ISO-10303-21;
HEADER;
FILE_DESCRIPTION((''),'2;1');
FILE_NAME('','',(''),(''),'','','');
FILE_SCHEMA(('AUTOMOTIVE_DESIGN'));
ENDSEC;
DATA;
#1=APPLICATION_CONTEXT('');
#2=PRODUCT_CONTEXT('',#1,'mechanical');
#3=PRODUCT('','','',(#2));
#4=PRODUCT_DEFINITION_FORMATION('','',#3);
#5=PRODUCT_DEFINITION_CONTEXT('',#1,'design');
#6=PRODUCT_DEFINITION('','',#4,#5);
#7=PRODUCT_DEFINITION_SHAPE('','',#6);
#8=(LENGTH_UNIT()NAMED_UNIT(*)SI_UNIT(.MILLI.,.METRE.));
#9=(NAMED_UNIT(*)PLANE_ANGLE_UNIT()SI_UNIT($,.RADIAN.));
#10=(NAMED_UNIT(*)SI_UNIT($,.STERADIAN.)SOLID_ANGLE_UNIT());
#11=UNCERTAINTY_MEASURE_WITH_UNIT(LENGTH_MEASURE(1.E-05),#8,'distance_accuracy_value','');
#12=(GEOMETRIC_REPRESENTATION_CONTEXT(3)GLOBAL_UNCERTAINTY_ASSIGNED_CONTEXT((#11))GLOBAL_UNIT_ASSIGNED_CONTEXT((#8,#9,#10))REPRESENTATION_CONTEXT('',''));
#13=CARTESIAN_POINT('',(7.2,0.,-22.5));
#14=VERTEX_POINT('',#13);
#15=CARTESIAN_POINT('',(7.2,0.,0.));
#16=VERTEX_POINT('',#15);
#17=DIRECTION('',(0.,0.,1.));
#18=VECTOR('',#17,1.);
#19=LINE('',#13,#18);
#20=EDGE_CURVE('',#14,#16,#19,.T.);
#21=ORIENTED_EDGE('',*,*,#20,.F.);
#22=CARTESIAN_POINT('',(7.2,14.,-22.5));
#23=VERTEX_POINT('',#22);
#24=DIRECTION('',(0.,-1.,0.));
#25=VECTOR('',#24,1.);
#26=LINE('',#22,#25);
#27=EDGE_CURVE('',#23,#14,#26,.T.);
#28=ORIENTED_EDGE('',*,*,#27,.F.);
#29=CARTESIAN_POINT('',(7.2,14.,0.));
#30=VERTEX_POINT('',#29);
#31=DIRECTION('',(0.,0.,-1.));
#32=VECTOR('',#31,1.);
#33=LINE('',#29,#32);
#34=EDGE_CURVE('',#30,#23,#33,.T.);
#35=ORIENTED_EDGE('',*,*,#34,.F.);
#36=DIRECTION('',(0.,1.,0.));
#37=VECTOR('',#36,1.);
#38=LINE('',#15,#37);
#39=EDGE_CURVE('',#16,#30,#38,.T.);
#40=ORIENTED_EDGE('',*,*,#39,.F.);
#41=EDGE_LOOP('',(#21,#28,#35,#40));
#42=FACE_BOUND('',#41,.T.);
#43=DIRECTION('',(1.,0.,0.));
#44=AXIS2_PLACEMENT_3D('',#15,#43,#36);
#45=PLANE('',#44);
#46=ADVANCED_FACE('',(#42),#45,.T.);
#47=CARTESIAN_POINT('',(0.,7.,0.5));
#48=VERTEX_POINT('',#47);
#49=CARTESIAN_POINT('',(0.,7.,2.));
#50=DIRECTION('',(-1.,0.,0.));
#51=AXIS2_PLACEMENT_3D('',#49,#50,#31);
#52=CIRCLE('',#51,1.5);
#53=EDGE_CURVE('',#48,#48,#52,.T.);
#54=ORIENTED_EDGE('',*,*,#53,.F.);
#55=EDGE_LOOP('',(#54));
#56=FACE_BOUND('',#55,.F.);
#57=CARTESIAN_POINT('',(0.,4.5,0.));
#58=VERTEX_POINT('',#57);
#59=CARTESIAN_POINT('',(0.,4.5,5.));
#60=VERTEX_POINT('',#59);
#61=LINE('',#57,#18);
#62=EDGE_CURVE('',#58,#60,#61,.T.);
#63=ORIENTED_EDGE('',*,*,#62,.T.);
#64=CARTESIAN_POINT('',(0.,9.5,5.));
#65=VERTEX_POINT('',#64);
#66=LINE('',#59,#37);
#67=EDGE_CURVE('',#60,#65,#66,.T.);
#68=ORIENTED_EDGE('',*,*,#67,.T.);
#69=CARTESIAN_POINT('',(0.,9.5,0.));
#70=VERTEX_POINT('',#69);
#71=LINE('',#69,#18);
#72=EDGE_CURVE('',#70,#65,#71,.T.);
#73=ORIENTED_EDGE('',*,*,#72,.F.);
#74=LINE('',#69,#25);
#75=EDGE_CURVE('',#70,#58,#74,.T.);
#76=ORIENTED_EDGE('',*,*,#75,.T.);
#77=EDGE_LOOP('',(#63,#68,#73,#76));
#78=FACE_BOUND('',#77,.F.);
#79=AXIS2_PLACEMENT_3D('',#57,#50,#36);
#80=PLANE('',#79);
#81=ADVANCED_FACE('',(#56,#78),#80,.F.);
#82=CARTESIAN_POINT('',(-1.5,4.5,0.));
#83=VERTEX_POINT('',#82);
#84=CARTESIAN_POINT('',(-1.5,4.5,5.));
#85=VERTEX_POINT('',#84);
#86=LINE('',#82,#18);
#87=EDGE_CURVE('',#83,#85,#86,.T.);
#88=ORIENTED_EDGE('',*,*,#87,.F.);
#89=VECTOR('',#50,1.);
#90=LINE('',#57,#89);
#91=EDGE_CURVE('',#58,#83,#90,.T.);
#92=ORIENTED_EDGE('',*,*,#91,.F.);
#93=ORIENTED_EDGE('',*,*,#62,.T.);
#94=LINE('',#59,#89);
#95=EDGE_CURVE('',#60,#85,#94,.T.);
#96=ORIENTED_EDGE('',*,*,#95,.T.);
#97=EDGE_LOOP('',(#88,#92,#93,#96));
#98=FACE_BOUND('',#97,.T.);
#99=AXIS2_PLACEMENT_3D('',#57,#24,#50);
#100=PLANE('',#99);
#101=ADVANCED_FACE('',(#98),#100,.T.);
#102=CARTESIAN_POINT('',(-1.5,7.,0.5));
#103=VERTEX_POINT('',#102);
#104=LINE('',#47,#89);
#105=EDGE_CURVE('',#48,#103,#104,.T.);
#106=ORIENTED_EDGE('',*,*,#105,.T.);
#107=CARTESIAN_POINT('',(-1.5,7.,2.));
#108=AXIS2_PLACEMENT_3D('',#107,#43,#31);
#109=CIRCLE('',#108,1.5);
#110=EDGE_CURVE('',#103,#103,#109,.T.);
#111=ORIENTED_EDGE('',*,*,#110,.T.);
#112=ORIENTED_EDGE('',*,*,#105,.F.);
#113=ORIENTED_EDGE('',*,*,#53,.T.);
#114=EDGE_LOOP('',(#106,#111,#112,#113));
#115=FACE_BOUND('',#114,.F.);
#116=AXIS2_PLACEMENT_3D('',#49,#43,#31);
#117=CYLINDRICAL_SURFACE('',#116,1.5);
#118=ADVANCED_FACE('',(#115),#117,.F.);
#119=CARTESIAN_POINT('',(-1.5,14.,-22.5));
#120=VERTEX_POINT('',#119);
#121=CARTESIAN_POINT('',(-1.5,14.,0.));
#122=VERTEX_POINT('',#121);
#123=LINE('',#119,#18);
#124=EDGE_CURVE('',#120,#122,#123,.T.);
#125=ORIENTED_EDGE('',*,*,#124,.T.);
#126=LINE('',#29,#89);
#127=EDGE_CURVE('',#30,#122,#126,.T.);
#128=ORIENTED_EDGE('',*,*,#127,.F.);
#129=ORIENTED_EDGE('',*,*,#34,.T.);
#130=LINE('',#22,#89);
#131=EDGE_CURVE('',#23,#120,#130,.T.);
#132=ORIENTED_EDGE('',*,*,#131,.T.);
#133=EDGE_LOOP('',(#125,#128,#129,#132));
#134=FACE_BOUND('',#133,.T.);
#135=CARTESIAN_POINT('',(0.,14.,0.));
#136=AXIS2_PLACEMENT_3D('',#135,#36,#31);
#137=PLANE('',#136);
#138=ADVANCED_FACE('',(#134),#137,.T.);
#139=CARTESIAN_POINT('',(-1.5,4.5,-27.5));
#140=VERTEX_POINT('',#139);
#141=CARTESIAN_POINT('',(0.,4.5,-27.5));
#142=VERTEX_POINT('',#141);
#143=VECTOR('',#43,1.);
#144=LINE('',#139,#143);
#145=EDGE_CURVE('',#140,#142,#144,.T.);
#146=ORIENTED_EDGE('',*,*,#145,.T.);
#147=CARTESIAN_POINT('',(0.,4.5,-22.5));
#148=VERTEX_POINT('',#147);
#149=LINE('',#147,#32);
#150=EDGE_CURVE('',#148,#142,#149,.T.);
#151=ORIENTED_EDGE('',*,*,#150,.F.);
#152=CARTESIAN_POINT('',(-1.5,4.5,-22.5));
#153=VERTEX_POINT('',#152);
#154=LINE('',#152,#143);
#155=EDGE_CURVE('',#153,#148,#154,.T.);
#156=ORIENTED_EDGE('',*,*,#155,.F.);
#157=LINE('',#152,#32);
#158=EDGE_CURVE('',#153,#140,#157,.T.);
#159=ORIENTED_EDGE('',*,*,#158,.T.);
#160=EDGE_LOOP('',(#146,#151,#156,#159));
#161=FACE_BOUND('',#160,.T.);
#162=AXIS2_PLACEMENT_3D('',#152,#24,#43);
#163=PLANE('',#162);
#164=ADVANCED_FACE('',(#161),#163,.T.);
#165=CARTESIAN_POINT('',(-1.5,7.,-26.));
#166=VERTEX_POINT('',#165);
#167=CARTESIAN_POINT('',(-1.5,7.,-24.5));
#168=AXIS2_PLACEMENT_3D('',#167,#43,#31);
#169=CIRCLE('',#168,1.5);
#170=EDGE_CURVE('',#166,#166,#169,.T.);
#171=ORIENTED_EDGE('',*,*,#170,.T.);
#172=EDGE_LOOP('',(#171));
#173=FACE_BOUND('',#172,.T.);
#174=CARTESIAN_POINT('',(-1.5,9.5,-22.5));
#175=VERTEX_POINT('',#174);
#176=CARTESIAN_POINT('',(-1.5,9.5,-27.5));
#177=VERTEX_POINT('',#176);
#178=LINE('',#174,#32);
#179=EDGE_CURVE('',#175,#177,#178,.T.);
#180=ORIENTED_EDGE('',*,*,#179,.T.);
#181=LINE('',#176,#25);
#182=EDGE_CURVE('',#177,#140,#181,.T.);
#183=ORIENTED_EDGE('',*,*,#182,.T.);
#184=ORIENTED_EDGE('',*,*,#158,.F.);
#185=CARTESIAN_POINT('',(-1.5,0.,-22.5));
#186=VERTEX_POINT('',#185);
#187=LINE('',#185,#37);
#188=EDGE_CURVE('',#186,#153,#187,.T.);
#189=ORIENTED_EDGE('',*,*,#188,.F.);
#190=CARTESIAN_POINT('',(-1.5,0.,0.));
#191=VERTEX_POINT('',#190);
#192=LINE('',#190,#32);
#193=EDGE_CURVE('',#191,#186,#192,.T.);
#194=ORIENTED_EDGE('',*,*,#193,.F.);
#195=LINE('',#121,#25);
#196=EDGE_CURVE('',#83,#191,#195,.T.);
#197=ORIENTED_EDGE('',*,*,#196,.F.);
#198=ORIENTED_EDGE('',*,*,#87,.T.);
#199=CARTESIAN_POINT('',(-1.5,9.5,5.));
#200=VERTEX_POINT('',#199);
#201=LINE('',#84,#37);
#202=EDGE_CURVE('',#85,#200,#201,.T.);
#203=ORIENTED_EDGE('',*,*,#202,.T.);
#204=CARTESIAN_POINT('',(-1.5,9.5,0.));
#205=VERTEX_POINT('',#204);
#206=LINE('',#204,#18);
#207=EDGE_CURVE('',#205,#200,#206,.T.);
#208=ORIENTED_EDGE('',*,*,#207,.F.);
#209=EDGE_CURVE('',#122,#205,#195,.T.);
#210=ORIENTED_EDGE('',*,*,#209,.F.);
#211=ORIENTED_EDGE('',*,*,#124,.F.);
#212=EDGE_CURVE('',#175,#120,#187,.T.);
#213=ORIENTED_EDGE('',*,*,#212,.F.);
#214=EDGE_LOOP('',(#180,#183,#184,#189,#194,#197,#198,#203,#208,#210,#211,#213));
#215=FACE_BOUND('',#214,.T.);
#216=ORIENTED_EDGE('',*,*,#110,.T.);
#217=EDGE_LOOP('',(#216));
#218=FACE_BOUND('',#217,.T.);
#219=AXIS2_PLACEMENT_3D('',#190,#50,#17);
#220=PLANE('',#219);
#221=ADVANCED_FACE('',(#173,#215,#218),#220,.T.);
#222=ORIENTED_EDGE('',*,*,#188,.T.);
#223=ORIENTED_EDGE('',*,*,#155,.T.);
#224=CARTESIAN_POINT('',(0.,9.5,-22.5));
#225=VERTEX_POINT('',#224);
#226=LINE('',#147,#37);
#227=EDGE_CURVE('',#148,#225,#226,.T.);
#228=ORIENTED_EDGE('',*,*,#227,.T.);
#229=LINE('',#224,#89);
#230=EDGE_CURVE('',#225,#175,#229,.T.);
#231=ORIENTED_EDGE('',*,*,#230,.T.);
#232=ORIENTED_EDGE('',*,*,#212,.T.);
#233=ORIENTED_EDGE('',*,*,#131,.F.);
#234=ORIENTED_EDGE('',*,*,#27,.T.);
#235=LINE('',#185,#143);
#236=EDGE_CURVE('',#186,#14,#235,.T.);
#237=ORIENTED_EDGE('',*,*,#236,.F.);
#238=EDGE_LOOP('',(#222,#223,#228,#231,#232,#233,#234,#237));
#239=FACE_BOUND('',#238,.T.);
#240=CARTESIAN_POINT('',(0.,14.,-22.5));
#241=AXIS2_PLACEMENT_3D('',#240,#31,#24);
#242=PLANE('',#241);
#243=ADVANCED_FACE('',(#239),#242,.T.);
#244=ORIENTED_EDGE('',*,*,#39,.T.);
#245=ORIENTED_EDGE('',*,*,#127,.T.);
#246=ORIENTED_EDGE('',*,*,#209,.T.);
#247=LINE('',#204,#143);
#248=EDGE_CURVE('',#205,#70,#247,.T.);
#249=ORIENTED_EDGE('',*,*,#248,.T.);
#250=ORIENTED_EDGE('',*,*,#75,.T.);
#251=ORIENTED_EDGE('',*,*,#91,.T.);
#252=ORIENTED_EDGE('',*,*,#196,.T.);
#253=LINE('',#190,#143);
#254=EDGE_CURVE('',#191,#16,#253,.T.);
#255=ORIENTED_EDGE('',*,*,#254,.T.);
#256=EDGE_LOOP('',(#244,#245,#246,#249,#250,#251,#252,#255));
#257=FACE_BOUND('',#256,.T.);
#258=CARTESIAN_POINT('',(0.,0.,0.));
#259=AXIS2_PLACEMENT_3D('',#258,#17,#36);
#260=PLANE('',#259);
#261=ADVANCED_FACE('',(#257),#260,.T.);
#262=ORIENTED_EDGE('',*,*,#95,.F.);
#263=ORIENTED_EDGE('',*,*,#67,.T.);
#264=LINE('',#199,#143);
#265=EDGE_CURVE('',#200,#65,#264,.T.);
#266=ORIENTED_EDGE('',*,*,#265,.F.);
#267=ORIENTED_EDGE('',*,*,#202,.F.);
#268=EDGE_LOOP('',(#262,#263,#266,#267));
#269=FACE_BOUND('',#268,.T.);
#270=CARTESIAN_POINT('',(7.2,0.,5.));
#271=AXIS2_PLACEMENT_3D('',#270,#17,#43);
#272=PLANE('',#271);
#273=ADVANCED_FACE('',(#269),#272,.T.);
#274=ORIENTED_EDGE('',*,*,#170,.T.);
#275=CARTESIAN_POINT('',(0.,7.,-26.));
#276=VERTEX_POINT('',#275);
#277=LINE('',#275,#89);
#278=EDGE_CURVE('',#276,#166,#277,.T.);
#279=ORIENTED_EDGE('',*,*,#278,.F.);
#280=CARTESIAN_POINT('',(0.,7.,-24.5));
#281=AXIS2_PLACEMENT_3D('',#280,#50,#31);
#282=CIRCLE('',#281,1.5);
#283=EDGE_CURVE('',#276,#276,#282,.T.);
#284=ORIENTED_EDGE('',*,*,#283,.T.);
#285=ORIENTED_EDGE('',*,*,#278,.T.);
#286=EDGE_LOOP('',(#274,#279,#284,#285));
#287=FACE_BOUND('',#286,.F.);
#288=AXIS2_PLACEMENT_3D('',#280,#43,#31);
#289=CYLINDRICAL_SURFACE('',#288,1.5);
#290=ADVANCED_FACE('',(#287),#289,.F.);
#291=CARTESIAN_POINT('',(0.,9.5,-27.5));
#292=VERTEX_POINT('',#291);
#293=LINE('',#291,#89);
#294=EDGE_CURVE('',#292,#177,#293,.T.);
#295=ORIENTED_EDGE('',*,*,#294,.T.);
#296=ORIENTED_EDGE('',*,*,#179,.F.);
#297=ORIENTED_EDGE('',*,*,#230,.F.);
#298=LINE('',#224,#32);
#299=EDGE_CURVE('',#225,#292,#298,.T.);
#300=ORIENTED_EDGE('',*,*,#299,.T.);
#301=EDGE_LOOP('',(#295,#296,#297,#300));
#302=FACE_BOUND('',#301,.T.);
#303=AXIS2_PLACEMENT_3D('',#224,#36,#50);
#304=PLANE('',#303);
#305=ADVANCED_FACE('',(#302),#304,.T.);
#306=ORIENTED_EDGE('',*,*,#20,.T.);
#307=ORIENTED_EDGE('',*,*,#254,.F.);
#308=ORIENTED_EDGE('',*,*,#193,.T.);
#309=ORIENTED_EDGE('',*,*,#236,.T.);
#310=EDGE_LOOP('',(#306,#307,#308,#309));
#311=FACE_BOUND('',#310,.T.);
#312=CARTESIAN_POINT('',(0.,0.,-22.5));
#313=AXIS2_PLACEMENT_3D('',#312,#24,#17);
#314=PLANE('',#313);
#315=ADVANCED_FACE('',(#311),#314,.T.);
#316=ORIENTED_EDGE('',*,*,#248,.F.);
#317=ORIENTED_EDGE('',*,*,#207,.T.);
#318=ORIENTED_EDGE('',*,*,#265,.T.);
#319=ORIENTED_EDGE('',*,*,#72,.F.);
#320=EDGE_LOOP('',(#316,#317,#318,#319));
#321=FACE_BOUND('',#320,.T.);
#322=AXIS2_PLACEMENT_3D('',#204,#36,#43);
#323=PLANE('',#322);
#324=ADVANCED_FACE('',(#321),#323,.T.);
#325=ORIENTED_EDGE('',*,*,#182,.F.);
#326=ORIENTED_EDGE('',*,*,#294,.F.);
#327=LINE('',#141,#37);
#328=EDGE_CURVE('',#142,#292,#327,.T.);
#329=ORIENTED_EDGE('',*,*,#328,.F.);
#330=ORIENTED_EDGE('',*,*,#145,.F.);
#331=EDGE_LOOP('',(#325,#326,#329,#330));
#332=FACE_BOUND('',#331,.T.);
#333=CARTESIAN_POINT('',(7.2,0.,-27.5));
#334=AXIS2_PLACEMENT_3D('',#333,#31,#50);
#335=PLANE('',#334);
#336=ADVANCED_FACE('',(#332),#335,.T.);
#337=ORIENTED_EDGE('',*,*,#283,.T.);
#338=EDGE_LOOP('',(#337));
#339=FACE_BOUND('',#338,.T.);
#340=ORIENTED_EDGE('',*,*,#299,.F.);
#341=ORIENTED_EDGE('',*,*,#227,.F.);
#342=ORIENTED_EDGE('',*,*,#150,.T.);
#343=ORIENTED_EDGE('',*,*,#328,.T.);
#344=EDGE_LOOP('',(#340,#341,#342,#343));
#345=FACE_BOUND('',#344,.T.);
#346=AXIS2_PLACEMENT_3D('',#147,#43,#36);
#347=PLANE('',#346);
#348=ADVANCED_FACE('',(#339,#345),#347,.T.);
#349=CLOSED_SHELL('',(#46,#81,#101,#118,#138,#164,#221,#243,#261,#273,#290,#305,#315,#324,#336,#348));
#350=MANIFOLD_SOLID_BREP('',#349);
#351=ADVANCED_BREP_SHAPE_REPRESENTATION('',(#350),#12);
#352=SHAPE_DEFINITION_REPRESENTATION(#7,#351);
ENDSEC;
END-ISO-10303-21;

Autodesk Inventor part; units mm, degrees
ref_plane "YZ Plane" through (0, 0, 0) normal (1, 0, 0) x (0, 1, 0)
ref_plane "XZ Plane" through (0, 0, 0) normal (0, 1, 0) x (-1, 0, 0)
ref_plane "XY Plane" through (0, 0, 0) normal (0, 0, 1) x (1, 0, 0)
sketch "Sketch1" plane through (0, 0, 0) normal (1, 0, 0) x (0, 1, 0)
  line L0 (0, 0) -> (14, 0)
  line L1 (14, 0) -> (14, -22.5)
  line L2 (14, -22.5) -> (0, -22.5)
  line L3 (0, -22.5) -> (0, 0)
  dimension "d0" = 14
  dimension "d1" = 22.5
extrude "Extrusion1" add sketch "Sketch1" along normal blind 7.2
sketch "Sketch2" plane through (0, 0, 0) normal (-1, 0, 0) x (0, 0, 1)
  line L0 (-22.5, 0) -> (-22.5, 14) projected
  line L1 (0, 0) -> (-22.5, 0) projected
  line L2 (0, 14) -> (0, 0) projected
  line L3 (-22.5, 14) -> (0, 14) projected
extrude "Extrusion2" add sketch "Sketch2" along normal blind 1.5
sketch "Sketch3" plane through (7.2, 0, 0) normal (0, 0, 1) x (1, 0, 0)
  line L0 (-8.7, 0) -> (-8.7, 14) projected
  line L1 (-8.7, 14) -> (0, 14) projected
  line L2 (-8.7, 0) -> (-7.2, 0)
  line L3 (-7.2, 0) -> (-7.2, 14)
  line L4 (-7.2, 14) -> (-8.7, 14)
  line L5 (-8.7, 14) -> (-8.7, 0)
  line L6 (-8.7, 7) -> (-7.2, 7)
  line L7 (-8.7, 9.5) -> (-7.2, 9.5)
  line L8 (-7.2, 9.5) -> (-7.2, 4.5)
  line L9 (-7.2, 4.5) -> (-8.7, 4.5)
  line L10 (-8.7, 4.5) -> (-8.7, 9.5)
  line L11 (-8.7, 9.5) -> (-7.2, 4.5) construction
  line L12 (-7.2, 9.5) -> (-8.7, 4.5) construction
  point P0 (-7.95, 7)
  dimension "d6" = 5
extrude "Extrusion3" add sketch "Sketch3" along normal blind 5 contours L0 L6 L3 L9 | L0 L7 L3 L6
sketch "Sketch4" plane through (7.2, 0, -22.5) normal (0, 0, -1) x (-1, 0, 0)
  line L0 (8.7, 9.5) -> (8.7, 4.5) projected
  line L1 (8.7, 4.5) -> (7.2, 4.5) projected
  line L2 (7.2, 4.5) -> (7.2, 9.5) projected
  line L3 (7.2, 9.5) -> (8.7, 9.5) projected
  point P0 (7.2, 0)
extrude "Extrusion4" add sketch "Sketch4" along normal blind 5
sketch "Sketch5" plane through (0, 4.5, -22.5) normal (1, 0, 0) x (0, 0, -1)
  line L0 (-22.5, 5) -> (-27.5, 5) projected
  line L1 (-22.5, 0) -> (-27.5, 0) projected
  line L2 (-27.5, 0) -> (-27.5, 5) projected
  line L3 (0, -4.5) -> (0, 9.5) projected
  line L4 (-22.5, 9.5) -> (-22.5, -4.5) projected
  line L5 (0, 5) -> (5, 5) projected
  line L6 (0, 0) -> (5, 0) projected
  line L7 (-27.5, 2.5) -> (-22.5, 2.5)
  line L8 (0, 2.5) -> (5, 2.5)
  line L9 (-22.5, 2.5) -> (-23, 2.5)
  line L10 (0, 2.5) -> (0.5, 2.5)
  line L11 (-23, 2.5) -> (-24.5, 2.5)
  circle A0 centre (-24.5, 2.5) radius 1.5
  line L12 (0.5, 2.5) -> (2, 2.5)
  circle A1 centre (2, 2.5) radius 1.5
  dimension "d11" = 0.5
  dimension "d12" = 0.5
  dimension "d13" = 1.5
  dimension "d14" = 1.5
extrude "Extrusion5" cut sketch "Sketch5" against normal blind 5 contours A0 L7 | L7 A0 | A1 L8 | L8 A1
sketch "Sketch6" plane through (7.2, 0, 0) normal (1, 0, 0) x (0, 0, -1)
  line L0 (0, 14) -> (22.5, 14) projected
  line L1 (0, 14) -> (22.6011, 13.9799) construction
  line L2 (22.6011, 13.9799) -> (22.5897, 1.2087) construction
  line L3 (22.5897, 1.2087) -> (-0.0114, 1.2289) construction
  line L4 (-0.0114, 1.2289) -> (0, 14) construction
  point P0 (0, 0)
properties part number "Voltmeter"
